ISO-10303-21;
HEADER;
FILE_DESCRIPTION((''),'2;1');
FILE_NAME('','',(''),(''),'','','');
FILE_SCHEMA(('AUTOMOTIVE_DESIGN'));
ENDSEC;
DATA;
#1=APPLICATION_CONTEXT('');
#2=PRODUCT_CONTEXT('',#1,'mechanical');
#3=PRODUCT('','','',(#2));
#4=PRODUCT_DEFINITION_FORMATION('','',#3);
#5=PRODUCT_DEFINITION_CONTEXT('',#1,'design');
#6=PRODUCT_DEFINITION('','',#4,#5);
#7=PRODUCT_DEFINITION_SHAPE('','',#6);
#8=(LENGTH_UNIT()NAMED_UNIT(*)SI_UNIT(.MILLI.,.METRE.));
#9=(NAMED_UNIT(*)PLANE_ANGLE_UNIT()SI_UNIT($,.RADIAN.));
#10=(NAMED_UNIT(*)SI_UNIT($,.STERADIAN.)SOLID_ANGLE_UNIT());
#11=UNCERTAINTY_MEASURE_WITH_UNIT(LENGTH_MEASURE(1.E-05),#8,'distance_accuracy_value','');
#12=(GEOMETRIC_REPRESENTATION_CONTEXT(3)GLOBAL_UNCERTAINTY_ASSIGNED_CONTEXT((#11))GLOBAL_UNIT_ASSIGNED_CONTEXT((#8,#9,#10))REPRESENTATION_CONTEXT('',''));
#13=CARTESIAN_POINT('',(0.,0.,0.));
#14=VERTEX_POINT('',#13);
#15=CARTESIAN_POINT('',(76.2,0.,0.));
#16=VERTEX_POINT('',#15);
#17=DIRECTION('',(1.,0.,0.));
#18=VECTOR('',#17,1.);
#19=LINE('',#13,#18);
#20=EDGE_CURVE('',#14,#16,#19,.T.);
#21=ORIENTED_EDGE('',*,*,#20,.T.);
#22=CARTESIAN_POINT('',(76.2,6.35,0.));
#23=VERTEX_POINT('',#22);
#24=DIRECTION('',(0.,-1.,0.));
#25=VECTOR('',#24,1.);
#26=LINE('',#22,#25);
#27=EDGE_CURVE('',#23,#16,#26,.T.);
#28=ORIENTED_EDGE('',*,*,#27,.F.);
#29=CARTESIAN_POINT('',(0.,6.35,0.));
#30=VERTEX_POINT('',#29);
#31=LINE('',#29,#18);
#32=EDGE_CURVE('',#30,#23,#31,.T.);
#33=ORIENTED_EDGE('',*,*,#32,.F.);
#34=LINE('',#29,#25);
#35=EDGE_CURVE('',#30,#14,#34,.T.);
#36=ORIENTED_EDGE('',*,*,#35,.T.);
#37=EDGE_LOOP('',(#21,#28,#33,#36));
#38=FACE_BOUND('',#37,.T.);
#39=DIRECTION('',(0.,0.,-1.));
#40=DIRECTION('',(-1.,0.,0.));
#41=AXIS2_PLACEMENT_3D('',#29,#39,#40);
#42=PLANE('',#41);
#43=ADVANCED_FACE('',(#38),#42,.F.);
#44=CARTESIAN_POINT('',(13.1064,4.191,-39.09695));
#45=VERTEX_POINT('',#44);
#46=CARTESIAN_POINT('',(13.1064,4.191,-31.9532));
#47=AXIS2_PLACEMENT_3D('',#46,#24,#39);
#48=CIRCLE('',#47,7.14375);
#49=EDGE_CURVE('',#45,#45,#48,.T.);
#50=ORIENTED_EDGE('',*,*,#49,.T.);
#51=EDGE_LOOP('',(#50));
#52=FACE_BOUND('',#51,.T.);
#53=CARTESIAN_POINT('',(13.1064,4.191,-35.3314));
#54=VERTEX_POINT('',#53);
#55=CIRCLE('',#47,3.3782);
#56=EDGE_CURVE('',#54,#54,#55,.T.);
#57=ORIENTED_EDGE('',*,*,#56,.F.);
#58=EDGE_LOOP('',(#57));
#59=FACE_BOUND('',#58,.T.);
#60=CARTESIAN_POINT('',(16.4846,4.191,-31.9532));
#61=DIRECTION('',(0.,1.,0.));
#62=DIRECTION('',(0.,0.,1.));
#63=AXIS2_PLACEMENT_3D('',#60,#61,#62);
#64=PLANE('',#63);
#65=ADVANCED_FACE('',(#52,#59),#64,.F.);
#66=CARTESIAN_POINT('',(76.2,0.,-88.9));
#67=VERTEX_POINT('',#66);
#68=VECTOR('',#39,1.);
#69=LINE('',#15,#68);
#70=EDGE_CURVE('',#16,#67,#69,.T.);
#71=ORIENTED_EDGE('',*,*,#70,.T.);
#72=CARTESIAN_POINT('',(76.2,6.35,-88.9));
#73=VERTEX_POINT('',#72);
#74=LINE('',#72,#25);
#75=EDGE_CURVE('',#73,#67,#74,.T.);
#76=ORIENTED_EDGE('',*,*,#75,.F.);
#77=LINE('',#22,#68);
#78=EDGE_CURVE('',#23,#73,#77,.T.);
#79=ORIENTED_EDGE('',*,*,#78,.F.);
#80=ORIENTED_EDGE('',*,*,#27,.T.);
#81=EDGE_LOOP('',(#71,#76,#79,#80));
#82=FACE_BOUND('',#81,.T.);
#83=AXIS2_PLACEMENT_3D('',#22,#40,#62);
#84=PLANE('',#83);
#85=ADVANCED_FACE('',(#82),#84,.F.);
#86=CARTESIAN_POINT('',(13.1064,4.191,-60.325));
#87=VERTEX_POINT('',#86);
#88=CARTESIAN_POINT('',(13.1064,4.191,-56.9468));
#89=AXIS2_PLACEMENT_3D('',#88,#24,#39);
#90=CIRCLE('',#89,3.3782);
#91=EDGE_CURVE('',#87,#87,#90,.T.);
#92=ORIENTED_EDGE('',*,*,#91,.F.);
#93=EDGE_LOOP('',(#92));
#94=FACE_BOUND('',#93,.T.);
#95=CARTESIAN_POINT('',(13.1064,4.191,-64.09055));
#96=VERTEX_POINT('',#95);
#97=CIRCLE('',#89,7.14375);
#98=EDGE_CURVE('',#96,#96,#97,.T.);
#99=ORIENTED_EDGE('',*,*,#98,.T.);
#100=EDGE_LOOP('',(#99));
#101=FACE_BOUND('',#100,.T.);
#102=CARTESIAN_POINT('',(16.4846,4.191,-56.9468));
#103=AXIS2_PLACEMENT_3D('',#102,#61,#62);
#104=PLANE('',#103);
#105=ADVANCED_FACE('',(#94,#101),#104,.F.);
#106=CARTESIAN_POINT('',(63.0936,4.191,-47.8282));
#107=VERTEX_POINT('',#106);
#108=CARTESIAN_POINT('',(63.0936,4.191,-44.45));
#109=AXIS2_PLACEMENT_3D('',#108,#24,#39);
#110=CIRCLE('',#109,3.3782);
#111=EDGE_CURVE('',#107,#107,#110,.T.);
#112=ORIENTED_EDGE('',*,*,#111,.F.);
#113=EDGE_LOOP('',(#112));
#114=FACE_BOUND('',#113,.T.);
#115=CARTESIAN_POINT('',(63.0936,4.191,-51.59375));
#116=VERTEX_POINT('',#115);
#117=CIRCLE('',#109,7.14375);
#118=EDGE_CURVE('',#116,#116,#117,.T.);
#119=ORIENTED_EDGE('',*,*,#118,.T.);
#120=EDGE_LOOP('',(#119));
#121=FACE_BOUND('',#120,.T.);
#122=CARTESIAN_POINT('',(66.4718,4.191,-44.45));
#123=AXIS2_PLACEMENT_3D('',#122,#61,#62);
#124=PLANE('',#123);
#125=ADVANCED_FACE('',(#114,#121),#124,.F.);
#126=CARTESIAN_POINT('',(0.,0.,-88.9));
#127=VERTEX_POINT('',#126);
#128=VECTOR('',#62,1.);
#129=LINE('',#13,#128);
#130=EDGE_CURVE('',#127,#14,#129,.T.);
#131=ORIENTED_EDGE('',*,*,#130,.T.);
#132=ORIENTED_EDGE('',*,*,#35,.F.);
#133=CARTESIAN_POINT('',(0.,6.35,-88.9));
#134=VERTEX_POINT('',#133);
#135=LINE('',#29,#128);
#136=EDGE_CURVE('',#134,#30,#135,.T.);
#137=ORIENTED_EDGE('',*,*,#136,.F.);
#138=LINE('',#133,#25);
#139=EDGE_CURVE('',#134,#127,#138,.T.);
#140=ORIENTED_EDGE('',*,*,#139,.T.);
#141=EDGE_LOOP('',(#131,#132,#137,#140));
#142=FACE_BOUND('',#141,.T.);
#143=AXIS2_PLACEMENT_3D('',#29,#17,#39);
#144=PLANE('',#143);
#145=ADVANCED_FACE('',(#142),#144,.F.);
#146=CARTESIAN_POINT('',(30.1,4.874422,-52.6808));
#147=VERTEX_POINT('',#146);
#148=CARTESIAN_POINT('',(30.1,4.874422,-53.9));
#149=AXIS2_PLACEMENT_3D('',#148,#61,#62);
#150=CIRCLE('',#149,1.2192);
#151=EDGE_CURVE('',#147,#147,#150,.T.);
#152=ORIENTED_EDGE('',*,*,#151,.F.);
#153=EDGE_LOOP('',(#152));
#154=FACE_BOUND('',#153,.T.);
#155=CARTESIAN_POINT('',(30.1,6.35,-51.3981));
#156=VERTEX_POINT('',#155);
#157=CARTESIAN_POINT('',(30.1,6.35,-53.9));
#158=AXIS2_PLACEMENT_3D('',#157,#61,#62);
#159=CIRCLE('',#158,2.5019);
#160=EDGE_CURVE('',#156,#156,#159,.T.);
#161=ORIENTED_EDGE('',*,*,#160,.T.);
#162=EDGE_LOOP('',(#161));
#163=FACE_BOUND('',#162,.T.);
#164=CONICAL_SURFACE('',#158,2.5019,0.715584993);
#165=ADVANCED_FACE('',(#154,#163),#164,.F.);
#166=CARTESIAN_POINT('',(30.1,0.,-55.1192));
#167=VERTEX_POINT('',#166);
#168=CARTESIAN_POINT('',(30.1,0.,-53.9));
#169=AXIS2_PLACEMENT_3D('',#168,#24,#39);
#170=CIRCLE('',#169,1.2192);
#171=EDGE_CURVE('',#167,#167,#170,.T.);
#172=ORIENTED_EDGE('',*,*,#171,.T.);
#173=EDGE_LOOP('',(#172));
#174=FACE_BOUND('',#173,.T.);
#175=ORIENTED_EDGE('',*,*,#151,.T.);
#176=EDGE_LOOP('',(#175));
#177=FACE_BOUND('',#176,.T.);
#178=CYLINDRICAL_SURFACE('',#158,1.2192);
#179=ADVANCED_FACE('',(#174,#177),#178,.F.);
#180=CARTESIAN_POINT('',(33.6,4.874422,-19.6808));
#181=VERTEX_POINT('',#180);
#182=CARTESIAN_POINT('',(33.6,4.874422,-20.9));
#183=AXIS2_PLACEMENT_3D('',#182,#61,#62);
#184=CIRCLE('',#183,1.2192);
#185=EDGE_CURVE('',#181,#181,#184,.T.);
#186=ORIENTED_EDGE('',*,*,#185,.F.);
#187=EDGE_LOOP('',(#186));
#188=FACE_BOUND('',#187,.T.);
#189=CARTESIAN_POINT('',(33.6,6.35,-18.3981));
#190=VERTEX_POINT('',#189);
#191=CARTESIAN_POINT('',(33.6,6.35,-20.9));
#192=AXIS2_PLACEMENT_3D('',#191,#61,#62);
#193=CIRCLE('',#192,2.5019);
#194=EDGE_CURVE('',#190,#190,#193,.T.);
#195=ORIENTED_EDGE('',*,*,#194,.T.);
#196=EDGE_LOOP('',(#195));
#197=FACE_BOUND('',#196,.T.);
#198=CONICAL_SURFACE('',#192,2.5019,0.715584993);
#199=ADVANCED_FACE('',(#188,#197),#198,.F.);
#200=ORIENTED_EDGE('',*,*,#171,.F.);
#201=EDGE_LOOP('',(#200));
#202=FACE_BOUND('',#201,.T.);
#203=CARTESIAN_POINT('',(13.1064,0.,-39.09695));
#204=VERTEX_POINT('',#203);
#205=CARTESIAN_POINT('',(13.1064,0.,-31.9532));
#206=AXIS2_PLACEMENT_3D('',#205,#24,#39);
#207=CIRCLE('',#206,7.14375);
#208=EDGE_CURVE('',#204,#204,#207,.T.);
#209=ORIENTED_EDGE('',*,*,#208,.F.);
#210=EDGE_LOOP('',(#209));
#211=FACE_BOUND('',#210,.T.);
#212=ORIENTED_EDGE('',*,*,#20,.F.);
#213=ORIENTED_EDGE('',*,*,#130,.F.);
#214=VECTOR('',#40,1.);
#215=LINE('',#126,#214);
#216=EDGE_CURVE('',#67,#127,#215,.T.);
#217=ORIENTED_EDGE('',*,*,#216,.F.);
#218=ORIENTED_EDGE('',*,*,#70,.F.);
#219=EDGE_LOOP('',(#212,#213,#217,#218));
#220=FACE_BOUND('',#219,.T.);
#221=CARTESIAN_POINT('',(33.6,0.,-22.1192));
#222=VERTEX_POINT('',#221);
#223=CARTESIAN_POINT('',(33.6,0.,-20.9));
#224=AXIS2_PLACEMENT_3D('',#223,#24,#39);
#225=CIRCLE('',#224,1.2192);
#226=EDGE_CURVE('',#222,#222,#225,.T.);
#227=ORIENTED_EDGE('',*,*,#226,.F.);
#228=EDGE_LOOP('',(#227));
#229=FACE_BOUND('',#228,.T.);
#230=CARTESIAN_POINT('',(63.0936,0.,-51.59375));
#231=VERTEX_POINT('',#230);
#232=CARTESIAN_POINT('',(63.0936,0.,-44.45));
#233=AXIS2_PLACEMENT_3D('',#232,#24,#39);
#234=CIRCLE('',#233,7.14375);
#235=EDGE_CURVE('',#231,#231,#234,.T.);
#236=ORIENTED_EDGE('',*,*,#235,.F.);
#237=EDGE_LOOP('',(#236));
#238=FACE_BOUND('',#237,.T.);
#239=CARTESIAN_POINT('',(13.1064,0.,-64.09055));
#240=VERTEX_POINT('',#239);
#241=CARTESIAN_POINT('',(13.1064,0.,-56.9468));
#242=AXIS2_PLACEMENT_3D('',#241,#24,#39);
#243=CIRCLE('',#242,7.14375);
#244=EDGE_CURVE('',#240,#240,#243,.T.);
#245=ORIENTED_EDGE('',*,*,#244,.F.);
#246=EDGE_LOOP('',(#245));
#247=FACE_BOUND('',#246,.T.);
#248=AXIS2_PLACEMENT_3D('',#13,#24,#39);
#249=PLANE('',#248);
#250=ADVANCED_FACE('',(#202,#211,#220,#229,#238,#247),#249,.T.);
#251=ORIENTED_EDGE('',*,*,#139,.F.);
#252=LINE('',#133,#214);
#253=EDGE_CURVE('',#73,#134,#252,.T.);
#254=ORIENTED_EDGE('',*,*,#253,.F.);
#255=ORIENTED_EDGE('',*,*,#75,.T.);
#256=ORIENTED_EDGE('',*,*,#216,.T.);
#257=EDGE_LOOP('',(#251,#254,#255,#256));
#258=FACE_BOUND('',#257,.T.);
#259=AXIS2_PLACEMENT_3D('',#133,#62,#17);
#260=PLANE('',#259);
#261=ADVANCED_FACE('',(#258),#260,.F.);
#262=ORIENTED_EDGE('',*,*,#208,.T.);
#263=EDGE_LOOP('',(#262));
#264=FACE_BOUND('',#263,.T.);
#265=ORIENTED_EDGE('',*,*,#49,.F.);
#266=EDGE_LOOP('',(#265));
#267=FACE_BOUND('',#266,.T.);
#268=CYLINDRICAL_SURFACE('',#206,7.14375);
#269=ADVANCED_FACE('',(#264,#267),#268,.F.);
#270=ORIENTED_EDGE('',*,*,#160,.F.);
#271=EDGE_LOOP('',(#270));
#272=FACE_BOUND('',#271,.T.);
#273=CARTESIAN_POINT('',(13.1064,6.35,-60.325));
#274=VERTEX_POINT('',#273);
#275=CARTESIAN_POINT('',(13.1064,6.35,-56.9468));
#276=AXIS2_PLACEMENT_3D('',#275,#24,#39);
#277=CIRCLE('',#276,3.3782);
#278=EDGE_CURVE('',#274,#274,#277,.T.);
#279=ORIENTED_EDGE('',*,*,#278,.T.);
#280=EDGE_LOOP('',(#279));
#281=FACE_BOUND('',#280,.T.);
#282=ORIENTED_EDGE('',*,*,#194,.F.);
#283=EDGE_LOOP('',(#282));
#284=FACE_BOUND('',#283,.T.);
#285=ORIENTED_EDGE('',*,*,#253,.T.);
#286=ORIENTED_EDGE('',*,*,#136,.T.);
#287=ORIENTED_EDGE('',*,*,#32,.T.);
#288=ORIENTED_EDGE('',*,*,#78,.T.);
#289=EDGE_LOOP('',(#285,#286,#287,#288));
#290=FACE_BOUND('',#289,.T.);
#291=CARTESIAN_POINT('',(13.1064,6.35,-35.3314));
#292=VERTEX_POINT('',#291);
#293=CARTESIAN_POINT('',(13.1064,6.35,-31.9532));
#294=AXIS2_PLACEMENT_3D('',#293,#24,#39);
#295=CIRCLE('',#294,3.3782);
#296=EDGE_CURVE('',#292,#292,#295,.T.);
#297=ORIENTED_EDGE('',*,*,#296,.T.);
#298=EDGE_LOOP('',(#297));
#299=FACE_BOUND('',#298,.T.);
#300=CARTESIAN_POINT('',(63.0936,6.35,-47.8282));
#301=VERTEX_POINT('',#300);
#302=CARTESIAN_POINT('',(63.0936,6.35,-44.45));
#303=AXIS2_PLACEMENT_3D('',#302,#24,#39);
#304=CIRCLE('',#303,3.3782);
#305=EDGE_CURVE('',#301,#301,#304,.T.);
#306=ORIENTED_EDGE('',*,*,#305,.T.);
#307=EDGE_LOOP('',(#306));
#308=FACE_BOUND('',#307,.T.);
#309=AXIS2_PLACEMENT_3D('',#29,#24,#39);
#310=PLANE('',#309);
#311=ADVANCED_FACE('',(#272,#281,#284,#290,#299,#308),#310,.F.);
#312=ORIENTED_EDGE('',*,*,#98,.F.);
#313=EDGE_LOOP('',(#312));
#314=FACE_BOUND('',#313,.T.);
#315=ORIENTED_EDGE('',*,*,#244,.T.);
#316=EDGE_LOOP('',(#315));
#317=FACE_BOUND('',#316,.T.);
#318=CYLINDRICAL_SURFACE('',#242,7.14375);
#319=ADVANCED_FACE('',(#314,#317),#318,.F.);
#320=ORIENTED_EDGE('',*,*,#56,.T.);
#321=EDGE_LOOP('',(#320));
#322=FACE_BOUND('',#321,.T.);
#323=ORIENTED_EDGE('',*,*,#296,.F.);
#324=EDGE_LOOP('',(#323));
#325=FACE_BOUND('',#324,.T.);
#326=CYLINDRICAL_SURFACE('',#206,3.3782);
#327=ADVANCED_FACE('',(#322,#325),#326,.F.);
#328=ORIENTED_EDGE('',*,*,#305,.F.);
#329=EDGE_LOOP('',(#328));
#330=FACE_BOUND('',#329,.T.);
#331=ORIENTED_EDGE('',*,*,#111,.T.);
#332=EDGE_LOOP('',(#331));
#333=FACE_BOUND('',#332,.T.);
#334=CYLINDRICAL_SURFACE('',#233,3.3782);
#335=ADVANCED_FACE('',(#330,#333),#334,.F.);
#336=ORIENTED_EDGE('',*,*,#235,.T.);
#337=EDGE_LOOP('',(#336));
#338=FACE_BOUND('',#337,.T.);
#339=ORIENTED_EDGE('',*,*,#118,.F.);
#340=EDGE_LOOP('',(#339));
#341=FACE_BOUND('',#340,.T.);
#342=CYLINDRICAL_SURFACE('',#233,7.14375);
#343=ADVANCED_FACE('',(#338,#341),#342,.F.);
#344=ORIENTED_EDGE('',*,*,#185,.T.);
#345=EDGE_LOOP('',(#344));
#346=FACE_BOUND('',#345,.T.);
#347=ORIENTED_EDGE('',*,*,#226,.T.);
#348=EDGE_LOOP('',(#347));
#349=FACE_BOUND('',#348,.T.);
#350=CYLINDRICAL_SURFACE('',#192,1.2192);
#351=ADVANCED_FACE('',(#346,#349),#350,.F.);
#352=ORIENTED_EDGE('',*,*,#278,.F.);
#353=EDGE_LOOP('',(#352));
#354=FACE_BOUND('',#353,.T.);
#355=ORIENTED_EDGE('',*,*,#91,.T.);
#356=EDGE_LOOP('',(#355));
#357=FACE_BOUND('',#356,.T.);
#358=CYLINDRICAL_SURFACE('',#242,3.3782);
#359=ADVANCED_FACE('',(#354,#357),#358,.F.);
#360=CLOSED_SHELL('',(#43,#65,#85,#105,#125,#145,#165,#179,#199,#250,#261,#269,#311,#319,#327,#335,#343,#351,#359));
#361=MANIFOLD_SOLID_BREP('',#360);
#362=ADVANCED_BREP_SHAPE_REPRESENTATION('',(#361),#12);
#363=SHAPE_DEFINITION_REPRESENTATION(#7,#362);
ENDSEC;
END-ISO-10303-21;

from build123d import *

# Parameters (mm, degrees)
SKETCH1_W                                            = 76.2
SKETCH1_H                                            = 88.9
BOSS_EXTRUDE1_DEPTH                                  = 6.35
CSK_FOR_2_FLAT_HEAD_SOCKET_CAP_SCREW1_D              = 2.4384
CSK_FOR_2_FLAT_HEAD_SOCKET_CAP_SCREW1_DEPTH          = 6.4
CSK_FOR_2_FLAT_HEAD_SOCKET_CAP_SCREW1_CSINK_D        = 5.0038
CSK_FOR_2_FLAT_HEAD_SOCKET_CAP_SCREW1_CSINK_ANGLE    = 82
CSK_FOR_2_FLAT_HEAD_SOCKET_CAP_SCREW1_TIP            = 0.732569267
CBORE_FOR_1_4_BINDING_HEAD_MACHINE_SCREW_D           = 6.7564
CBORE_FOR_1_4_BINDING_HEAD_MACHINE_SCREW_DEPTH       = 6.4
CBORE_FOR_1_4_BINDING_HEAD_MACHINE_SCREW_CBORE_D     = 14.2875
CBORE_FOR_1_4_BINDING_HEAD_MACHINE_SCREW_CBORE_DEPTH = 4.191
CBORE_FOR_1_4_BINDING_HEAD_MACHINE_SCREW_TIP         = 2.029827343


with BuildPart() as part:
    # Sketch1 → Boss-Extrude1 (new body)
    with BuildSketch(Plane(origin=(0, 0, 0), x_dir=(1, 0, 0), z_dir=(0, 1, 0))):
        with Locations((38.1, 44.45)):
            Rectangle(SKETCH1_W, SKETCH1_H)
    extrude(amount=BOSS_EXTRUDE1_DEPTH)

    # CSK for #2 Flat Head Socket Cap Screw1
    with Locations(Plane(origin=(0, 6.35, 0), x_dir=(1, 0, 0), z_dir=(0, 1, 0))):
        with Locations((33.6, 20.9), (30.1, 53.9)):
            CounterSinkHole(CSK_FOR_2_FLAT_HEAD_SOCKET_CAP_SCREW1_D / 2, CSK_FOR_2_FLAT_HEAD_SOCKET_CAP_SCREW1_CSINK_D / 2, depth=CSK_FOR_2_FLAT_HEAD_SOCKET_CAP_SCREW1_DEPTH, counter_sink_angle=CSK_FOR_2_FLAT_HEAD_SOCKET_CAP_SCREW1_CSINK_ANGLE)
            with Locations((0, 0, -(CSK_FOR_2_FLAT_HEAD_SOCKET_CAP_SCREW1_DEPTH + CSK_FOR_2_FLAT_HEAD_SOCKET_CAP_SCREW1_TIP / 2))):  # 118° drill point
                Cone(0, CSK_FOR_2_FLAT_HEAD_SOCKET_CAP_SCREW1_D / 2, CSK_FOR_2_FLAT_HEAD_SOCKET_CAP_SCREW1_TIP, mode=Mode.SUBTRACT)

    # CBORE for 1/4 Binding Head Machine Screw1
    with Locations(Plane(origin=(0, 0, 0), x_dir=(-1, 0, 0), z_dir=(0, -1, 0))):
        with Locations((-63.0936, 44.45), (-13.1064, 31.9532), (-13.1064, 56.9468)):
            CounterBoreHole(CBORE_FOR_1_4_BINDING_HEAD_MACHINE_SCREW_D / 2, CBORE_FOR_1_4_BINDING_HEAD_MACHINE_SCREW_CBORE_D / 2, CBORE_FOR_1_4_BINDING_HEAD_MACHINE_SCREW_CBORE_DEPTH, depth=CBORE_FOR_1_4_BINDING_HEAD_MACHINE_SCREW_DEPTH)
            with Locations((0, 0, -(CBORE_FOR_1_4_BINDING_HEAD_MACHINE_SCREW_DEPTH + CBORE_FOR_1_4_BINDING_HEAD_MACHINE_SCREW_TIP / 2))):  # 118° drill point
                Cone(0, CBORE_FOR_1_4_BINDING_HEAD_MACHINE_SCREW_D / 2, CBORE_FOR_1_4_BINDING_HEAD_MACHINE_SCREW_TIP, mode=Mode.SUBTRACT)


solid = part.part
